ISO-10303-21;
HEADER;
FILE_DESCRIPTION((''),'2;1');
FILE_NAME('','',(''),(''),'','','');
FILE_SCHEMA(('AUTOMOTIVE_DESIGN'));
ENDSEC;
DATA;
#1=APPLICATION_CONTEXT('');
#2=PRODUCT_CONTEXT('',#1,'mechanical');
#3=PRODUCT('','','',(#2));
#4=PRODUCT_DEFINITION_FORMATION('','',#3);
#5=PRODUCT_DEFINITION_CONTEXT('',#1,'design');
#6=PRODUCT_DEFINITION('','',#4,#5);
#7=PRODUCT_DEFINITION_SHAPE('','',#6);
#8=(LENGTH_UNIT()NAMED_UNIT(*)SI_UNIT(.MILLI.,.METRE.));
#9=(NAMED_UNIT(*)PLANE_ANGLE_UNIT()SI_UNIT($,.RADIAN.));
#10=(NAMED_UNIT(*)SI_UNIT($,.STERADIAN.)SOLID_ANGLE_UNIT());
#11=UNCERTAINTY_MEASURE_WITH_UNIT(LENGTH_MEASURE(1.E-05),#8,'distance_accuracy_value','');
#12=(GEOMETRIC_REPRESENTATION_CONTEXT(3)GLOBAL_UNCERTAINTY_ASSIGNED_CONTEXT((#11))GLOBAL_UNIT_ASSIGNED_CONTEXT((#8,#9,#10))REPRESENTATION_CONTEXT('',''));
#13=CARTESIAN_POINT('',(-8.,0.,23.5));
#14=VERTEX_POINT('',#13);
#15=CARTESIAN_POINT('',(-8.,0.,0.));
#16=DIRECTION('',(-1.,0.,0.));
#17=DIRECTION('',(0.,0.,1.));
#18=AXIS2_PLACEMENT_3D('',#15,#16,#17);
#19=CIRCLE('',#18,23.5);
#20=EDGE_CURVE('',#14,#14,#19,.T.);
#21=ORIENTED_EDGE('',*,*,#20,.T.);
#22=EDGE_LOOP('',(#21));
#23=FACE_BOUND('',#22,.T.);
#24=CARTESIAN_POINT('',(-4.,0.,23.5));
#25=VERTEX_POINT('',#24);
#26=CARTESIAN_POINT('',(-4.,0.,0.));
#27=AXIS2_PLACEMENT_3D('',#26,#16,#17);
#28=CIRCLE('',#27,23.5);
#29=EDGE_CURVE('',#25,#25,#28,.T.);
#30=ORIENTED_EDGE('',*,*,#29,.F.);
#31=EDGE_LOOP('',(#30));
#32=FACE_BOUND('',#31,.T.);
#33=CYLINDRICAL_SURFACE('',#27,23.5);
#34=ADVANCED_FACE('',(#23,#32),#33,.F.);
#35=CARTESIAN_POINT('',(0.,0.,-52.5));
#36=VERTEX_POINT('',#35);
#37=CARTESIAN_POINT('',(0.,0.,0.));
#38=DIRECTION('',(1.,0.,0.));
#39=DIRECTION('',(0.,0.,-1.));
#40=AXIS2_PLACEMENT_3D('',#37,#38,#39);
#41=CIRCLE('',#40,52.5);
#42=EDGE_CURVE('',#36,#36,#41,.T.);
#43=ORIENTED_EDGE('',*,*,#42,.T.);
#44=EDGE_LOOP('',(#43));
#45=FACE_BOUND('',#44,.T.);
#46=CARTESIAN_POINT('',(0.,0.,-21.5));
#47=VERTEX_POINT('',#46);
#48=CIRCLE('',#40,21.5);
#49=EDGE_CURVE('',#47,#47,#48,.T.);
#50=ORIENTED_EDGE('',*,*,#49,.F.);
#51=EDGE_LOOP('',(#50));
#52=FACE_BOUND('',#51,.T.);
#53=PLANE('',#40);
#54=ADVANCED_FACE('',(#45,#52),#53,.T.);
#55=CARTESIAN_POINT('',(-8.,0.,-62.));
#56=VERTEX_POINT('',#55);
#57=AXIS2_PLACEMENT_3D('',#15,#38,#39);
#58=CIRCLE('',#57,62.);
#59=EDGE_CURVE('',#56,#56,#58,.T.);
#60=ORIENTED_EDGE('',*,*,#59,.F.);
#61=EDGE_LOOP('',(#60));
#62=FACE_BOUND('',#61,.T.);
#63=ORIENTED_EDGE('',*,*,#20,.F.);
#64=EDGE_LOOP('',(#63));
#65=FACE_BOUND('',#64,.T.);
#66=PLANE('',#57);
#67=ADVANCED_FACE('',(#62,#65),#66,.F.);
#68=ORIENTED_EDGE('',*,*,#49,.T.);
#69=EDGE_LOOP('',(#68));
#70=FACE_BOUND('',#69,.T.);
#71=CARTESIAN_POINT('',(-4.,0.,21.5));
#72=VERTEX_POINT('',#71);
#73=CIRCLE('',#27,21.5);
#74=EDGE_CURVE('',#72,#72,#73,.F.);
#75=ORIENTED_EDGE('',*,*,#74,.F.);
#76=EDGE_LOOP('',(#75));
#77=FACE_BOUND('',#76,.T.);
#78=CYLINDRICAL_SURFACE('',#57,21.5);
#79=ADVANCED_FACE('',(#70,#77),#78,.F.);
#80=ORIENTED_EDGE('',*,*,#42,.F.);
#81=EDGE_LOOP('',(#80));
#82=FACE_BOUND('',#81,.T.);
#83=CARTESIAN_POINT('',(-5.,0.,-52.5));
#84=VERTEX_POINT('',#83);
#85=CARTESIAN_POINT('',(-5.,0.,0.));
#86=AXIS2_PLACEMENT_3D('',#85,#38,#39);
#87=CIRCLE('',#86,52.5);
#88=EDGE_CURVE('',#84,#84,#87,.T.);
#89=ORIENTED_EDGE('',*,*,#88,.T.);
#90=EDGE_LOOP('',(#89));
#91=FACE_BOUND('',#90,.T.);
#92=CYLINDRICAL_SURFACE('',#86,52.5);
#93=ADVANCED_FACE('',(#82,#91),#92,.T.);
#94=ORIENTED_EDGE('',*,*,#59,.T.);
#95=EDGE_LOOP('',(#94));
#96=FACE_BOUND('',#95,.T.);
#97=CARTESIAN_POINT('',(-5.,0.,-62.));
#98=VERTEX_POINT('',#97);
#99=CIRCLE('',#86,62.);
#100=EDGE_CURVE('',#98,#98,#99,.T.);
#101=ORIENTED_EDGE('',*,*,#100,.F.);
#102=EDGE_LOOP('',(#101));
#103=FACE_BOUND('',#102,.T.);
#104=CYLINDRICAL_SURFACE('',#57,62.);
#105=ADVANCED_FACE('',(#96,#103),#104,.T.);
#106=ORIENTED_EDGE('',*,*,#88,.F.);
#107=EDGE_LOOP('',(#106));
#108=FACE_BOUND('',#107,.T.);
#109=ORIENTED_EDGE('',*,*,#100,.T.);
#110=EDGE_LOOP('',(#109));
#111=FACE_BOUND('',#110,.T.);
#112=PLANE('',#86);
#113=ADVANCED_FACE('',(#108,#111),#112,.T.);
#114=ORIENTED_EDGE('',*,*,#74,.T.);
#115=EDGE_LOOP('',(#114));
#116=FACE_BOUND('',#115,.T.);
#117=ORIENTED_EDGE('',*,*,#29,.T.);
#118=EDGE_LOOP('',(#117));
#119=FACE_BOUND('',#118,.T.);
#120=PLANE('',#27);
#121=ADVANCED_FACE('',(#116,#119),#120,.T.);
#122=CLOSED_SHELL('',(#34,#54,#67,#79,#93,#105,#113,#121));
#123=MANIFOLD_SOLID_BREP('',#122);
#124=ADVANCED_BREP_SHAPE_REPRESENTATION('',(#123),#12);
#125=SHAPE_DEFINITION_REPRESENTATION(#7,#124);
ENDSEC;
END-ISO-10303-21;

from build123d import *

# Parameters (mm, degrees)
CROQUIS11_R             = 62
CROQUIS11_R_2           = 20
SALIENTE_EXTRUIR3_DEPTH = 8
CROQUIS15_R             = 21.5
CORTAR_EXTRUIR4_DEPTH   = 89.045442812
CROQUIS16_R             = 23.5
CORTAR_EXTRUIR5_DEPTH   = 4
CROQUIS21_R             = 62
CROQUIS21_R_2           = 52.5
CORTAR_EXTRUIR10_DEPTH  = 5


with BuildPart() as part:
    # Croquis11 → Saliente-Extruir3 (new body)
    with BuildSketch(Plane(origin=(0, 0, 0), x_dir=(0, 0, -1), z_dir=(1, 0, 0))):
        Circle(CROQUIS11_R)
        Circle(CROQUIS11_R_2, mode=Mode.SUBTRACT)
    extrude(amount=-SALIENTE_EXTRUIR3_DEPTH)

    # Croquis15 → Cortar-Extruir4 (cut, through all)
    with BuildSketch(Plane(origin=(0, 0, 0), x_dir=(0, 0, -1), z_dir=(1, 0, 0))):
        Circle(CROQUIS15_R)
    extrude(amount=-CORTAR_EXTRUIR4_DEPTH, mode=Mode.SUBTRACT)

    # Croquis16 → Cortar-Extruir5 (cut)
    with BuildSketch(Plane.ZY.offset(8)):
        Circle(CROQUIS16_R)
    extrude(amount=-CORTAR_EXTRUIR5_DEPTH, mode=Mode.SUBTRACT)

    # Croquis21 → Cortar-Extruir10 (cut)
    with BuildSketch(Plane(origin=(0, 0, 0), x_dir=(0, 0, -1), z_dir=(1, 0, 0))):
        Circle(CROQUIS21_R)
        Circle(CROQUIS21_R_2, mode=Mode.SUBTRACT)
    extrude(amount=-CORTAR_EXTRUIR10_DEPTH, mode=Mode.SUBTRACT)


solid = part.part
